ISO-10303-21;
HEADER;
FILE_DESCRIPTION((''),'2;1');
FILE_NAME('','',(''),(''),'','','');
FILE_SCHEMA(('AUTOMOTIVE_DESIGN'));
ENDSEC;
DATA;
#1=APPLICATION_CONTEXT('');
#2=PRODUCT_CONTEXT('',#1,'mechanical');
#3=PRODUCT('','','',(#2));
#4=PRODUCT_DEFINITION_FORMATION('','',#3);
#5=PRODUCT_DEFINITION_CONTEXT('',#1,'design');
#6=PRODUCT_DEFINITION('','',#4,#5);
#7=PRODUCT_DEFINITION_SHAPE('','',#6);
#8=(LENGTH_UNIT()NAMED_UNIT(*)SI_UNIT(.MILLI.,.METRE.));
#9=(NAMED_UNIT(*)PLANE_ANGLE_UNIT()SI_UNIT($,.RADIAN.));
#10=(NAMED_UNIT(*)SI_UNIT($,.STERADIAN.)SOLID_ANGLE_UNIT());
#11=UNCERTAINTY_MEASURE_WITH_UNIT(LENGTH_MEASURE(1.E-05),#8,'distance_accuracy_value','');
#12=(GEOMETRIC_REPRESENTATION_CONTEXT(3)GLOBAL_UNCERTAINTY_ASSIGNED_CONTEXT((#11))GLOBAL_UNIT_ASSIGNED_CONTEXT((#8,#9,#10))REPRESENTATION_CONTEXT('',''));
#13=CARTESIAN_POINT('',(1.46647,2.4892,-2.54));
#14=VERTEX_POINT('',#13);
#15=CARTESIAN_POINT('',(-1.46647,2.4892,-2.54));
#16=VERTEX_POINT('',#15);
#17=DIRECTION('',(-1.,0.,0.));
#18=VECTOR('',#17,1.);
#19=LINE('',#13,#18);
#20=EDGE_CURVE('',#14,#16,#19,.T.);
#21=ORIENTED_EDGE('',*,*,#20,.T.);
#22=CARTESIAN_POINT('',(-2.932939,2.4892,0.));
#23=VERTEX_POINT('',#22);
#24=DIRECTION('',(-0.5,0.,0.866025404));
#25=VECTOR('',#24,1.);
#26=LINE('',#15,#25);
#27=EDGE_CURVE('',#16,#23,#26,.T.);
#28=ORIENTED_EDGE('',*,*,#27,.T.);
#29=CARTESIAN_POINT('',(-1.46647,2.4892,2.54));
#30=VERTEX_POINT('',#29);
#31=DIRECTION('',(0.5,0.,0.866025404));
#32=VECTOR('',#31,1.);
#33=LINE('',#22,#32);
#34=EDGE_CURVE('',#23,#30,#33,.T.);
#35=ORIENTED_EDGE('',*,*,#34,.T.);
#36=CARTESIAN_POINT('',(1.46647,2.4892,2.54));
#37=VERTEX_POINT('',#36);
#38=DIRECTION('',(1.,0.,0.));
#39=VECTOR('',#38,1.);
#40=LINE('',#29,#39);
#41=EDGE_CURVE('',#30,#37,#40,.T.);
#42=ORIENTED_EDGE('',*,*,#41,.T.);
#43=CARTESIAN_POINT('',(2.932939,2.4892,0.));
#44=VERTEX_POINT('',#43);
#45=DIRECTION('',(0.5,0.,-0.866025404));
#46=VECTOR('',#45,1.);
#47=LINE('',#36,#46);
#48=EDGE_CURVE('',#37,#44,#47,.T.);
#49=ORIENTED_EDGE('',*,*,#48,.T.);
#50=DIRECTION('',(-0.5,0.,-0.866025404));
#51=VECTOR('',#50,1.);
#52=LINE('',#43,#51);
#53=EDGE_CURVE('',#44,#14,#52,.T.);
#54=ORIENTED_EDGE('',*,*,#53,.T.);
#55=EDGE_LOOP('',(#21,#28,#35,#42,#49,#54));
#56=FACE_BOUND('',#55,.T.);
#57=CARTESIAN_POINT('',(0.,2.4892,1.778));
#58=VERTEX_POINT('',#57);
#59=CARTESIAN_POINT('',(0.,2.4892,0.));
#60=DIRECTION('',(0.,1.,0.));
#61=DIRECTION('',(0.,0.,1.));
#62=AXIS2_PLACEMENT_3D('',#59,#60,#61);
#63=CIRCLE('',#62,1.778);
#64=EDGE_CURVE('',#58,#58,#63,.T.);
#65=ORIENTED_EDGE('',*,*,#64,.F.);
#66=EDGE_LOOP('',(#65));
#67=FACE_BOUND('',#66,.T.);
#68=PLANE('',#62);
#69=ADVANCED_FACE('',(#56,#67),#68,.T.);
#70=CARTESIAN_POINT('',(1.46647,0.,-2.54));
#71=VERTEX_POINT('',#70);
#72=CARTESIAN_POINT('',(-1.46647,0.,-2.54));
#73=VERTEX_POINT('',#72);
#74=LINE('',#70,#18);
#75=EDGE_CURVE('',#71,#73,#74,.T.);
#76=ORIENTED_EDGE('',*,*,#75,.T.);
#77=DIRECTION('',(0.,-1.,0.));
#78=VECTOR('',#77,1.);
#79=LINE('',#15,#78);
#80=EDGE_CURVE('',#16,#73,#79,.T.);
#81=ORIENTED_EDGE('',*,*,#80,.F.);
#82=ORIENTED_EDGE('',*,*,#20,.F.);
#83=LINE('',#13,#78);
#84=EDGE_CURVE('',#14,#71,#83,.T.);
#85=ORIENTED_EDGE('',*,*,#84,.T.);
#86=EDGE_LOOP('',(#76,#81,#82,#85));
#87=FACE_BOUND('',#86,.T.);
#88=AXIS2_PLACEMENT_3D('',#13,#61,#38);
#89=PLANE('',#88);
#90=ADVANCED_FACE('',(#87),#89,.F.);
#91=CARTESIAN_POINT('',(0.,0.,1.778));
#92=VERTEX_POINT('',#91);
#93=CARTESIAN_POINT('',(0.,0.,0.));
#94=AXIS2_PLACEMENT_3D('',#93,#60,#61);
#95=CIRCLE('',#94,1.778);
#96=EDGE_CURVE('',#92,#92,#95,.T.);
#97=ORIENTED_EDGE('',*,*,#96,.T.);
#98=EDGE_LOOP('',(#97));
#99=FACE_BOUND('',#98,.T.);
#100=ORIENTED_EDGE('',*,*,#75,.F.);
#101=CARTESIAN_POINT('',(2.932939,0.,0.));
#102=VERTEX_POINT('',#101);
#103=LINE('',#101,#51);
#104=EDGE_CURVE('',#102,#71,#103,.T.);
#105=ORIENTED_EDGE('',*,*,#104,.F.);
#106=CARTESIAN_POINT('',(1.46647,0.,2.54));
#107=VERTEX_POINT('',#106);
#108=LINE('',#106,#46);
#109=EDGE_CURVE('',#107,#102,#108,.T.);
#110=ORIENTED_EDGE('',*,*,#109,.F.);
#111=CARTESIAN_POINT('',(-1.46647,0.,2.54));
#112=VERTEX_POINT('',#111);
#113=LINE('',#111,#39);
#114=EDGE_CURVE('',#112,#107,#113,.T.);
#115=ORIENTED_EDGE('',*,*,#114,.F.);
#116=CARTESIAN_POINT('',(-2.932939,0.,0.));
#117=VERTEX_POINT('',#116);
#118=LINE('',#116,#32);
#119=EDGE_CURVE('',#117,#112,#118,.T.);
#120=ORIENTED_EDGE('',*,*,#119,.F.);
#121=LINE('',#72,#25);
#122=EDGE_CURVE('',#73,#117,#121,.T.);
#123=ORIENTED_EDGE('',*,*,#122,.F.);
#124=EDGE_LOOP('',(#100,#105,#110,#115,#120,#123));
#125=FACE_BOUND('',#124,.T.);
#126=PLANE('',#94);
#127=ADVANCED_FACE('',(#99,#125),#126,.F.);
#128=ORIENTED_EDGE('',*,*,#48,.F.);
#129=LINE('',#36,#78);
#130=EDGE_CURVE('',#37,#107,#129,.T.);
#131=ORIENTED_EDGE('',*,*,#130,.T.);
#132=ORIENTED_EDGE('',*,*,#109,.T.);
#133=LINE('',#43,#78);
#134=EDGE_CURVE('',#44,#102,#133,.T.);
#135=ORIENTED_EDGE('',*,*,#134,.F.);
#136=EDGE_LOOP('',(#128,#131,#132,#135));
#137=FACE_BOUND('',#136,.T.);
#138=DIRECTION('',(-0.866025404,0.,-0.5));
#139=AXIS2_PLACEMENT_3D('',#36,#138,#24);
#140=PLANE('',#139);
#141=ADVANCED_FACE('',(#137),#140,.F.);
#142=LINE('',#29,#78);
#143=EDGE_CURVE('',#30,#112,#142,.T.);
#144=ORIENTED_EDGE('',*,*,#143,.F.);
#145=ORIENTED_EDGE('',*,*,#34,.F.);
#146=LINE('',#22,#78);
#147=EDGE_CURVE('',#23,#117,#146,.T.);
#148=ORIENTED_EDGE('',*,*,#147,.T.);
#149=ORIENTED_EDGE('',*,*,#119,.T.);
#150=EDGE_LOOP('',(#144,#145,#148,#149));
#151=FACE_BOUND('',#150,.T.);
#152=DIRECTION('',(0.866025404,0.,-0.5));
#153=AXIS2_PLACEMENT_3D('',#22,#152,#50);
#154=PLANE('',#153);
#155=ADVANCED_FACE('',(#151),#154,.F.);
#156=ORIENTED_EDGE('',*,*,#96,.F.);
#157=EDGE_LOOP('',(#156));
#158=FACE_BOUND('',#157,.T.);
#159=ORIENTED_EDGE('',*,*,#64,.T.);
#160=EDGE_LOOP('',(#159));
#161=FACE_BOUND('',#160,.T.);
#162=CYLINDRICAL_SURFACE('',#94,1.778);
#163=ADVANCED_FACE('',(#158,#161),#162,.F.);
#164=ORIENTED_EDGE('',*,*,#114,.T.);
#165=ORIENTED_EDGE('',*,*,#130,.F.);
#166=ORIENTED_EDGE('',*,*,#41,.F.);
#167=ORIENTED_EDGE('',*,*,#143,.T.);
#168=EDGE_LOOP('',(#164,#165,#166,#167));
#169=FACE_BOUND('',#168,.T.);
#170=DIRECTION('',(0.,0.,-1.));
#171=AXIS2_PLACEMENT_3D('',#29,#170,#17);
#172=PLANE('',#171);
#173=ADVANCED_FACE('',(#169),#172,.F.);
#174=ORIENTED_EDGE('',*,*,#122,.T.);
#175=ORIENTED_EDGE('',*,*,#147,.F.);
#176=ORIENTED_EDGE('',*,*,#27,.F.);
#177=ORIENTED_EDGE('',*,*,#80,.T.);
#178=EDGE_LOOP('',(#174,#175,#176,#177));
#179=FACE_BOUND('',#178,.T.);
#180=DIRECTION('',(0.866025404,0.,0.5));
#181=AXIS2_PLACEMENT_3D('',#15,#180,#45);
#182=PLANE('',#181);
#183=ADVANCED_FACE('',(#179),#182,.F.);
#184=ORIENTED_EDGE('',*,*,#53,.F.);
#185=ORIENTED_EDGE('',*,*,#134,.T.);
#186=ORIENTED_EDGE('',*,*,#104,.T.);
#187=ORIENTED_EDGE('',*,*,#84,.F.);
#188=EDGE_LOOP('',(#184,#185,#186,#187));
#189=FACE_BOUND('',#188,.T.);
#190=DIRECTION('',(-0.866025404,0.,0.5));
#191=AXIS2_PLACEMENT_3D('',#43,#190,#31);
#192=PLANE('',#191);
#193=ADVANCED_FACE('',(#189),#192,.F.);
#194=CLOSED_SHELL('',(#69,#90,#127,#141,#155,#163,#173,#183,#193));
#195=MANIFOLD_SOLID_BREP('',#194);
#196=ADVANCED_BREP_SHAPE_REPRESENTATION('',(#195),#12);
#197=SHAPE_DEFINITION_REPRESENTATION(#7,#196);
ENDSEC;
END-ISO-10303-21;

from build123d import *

# Parameters (mm, degrees)
BOSS_EXTRUDE1_DEPTH = 2.4892
SKETCH2_R           = 1.778
CUT_EXTRUDE1_DEPTH  = 5.609755956


with BuildPart() as part:
    # Sketch1 → Boss-Extrude1 (new body)
    with BuildSketch(Plane(origin=(0, 0, 0), x_dir=(1, 0, 0), z_dir=(0, 1, 0))):
        Polygon((1.466469684, 2.54), (-1.466469684, 2.54), (-2.932939367, 0), (-1.466469684, -2.54), (1.466469684, -2.54), (2.932939367, 0), align=None)
    extrude(amount=BOSS_EXTRUDE1_DEPTH)

    # Sketch2 → Cut-Extrude1 (cut, through all)
    with BuildSketch(Plane(origin=(0, 2.4892, 0), x_dir=(1, 0, 0), z_dir=(0, 1, 0))):
        with Locations(Location((0, 0, 0), (0, 0, 270))):
            Circle(SKETCH2_R)
    extrude(amount=-CUT_EXTRUDE1_DEPTH, mode=Mode.SUBTRACT)


solid = part.part
